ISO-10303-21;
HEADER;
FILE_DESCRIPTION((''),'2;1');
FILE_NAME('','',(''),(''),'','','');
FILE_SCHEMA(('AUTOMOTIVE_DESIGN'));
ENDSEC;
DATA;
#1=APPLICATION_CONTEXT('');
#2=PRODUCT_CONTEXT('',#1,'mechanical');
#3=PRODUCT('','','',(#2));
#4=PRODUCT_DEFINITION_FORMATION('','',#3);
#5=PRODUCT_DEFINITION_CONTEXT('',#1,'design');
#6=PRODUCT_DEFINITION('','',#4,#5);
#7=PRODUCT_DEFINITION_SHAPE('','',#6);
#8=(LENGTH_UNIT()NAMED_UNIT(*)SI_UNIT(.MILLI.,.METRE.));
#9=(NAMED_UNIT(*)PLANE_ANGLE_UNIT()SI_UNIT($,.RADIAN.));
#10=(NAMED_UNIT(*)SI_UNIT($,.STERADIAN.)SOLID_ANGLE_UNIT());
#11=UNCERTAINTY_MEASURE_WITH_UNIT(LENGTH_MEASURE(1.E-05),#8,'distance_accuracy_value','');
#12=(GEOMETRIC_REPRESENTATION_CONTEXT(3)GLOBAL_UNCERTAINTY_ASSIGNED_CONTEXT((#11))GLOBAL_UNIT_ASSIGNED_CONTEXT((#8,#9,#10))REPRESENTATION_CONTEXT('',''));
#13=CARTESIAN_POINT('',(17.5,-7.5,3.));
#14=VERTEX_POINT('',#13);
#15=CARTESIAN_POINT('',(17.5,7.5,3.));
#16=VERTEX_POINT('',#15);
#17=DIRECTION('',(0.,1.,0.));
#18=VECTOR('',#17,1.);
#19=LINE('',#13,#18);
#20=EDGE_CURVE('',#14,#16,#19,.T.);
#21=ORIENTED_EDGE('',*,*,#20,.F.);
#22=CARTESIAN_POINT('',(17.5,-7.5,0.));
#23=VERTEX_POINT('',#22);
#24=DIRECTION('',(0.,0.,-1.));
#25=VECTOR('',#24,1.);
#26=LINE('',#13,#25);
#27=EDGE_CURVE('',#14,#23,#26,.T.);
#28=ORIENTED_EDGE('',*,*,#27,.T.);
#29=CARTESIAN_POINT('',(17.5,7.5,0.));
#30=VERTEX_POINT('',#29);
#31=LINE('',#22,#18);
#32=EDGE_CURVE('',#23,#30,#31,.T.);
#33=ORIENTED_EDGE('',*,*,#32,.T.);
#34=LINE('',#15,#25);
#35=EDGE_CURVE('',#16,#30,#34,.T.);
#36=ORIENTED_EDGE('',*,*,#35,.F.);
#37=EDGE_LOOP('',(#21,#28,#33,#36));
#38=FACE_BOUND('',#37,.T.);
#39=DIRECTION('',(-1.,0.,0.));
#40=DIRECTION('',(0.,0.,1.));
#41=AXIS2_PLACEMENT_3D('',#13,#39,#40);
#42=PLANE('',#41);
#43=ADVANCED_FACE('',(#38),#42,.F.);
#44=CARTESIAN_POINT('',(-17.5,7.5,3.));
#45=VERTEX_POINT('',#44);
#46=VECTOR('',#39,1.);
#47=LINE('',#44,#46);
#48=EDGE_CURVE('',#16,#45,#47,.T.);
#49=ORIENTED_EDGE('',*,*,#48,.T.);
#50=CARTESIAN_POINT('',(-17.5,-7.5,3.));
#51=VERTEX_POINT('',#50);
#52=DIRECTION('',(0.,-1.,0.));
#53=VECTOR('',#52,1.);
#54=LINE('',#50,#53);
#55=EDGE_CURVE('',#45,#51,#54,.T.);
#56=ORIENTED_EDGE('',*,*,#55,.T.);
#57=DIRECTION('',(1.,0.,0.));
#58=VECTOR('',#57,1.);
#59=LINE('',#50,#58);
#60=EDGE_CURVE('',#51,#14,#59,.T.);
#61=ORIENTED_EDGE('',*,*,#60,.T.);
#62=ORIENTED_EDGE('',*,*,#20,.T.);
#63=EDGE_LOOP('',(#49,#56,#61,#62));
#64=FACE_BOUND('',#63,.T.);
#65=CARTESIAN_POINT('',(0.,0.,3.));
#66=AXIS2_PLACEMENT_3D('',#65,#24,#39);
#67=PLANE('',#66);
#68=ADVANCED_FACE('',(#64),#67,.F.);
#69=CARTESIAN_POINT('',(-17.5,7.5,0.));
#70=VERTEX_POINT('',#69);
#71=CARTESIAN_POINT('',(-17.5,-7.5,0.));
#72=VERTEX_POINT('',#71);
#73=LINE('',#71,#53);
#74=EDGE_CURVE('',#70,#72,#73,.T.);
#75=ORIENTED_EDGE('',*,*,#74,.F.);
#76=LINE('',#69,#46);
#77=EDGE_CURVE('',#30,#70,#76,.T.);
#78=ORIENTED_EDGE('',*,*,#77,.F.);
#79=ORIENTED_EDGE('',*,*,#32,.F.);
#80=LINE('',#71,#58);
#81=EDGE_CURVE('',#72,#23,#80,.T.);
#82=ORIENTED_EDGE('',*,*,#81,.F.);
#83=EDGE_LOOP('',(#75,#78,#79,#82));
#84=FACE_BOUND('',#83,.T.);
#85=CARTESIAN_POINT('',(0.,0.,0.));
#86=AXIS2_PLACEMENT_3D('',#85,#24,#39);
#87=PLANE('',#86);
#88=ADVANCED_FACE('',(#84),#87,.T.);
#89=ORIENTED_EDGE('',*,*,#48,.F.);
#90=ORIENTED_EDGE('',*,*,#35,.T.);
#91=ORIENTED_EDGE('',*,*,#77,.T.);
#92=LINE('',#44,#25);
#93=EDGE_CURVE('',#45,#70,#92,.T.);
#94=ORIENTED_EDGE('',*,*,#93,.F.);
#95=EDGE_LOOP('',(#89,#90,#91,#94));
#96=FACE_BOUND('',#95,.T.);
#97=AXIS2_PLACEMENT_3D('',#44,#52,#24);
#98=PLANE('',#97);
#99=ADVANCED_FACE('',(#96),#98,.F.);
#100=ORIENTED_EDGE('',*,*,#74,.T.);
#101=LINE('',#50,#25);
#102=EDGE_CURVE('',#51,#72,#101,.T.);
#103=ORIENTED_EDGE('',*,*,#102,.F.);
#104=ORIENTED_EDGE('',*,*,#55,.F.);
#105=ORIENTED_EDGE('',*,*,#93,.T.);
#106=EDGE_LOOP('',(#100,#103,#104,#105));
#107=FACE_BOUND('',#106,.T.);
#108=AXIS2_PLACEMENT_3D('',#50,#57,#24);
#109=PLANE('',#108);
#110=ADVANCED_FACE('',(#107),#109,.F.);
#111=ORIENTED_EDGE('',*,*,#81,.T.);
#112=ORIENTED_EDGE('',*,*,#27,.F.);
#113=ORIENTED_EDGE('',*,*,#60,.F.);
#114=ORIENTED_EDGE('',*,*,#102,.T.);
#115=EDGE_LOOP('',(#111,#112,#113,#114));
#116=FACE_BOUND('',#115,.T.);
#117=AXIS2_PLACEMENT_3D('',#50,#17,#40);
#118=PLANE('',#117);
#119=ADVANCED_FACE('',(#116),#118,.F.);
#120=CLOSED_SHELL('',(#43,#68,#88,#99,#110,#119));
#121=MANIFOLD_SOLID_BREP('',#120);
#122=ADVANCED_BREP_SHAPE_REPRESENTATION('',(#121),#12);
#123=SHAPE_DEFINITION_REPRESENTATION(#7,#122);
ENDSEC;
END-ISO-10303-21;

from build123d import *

# Parameters (mm, degrees)
CROQUIS1_W              = 35
CROQUIS1_H              = 15
SALIENTE_EXTRUIR1_DEPTH = 3


with BuildPart() as part:
    # Croquis1 → Saliente-Extruir1 (new body)
    with BuildSketch(Plane.XY):
        Rectangle(CROQUIS1_W, CROQUIS1_H)
    extrude(amount=SALIENTE_EXTRUIR1_DEPTH)


solid = part.part
